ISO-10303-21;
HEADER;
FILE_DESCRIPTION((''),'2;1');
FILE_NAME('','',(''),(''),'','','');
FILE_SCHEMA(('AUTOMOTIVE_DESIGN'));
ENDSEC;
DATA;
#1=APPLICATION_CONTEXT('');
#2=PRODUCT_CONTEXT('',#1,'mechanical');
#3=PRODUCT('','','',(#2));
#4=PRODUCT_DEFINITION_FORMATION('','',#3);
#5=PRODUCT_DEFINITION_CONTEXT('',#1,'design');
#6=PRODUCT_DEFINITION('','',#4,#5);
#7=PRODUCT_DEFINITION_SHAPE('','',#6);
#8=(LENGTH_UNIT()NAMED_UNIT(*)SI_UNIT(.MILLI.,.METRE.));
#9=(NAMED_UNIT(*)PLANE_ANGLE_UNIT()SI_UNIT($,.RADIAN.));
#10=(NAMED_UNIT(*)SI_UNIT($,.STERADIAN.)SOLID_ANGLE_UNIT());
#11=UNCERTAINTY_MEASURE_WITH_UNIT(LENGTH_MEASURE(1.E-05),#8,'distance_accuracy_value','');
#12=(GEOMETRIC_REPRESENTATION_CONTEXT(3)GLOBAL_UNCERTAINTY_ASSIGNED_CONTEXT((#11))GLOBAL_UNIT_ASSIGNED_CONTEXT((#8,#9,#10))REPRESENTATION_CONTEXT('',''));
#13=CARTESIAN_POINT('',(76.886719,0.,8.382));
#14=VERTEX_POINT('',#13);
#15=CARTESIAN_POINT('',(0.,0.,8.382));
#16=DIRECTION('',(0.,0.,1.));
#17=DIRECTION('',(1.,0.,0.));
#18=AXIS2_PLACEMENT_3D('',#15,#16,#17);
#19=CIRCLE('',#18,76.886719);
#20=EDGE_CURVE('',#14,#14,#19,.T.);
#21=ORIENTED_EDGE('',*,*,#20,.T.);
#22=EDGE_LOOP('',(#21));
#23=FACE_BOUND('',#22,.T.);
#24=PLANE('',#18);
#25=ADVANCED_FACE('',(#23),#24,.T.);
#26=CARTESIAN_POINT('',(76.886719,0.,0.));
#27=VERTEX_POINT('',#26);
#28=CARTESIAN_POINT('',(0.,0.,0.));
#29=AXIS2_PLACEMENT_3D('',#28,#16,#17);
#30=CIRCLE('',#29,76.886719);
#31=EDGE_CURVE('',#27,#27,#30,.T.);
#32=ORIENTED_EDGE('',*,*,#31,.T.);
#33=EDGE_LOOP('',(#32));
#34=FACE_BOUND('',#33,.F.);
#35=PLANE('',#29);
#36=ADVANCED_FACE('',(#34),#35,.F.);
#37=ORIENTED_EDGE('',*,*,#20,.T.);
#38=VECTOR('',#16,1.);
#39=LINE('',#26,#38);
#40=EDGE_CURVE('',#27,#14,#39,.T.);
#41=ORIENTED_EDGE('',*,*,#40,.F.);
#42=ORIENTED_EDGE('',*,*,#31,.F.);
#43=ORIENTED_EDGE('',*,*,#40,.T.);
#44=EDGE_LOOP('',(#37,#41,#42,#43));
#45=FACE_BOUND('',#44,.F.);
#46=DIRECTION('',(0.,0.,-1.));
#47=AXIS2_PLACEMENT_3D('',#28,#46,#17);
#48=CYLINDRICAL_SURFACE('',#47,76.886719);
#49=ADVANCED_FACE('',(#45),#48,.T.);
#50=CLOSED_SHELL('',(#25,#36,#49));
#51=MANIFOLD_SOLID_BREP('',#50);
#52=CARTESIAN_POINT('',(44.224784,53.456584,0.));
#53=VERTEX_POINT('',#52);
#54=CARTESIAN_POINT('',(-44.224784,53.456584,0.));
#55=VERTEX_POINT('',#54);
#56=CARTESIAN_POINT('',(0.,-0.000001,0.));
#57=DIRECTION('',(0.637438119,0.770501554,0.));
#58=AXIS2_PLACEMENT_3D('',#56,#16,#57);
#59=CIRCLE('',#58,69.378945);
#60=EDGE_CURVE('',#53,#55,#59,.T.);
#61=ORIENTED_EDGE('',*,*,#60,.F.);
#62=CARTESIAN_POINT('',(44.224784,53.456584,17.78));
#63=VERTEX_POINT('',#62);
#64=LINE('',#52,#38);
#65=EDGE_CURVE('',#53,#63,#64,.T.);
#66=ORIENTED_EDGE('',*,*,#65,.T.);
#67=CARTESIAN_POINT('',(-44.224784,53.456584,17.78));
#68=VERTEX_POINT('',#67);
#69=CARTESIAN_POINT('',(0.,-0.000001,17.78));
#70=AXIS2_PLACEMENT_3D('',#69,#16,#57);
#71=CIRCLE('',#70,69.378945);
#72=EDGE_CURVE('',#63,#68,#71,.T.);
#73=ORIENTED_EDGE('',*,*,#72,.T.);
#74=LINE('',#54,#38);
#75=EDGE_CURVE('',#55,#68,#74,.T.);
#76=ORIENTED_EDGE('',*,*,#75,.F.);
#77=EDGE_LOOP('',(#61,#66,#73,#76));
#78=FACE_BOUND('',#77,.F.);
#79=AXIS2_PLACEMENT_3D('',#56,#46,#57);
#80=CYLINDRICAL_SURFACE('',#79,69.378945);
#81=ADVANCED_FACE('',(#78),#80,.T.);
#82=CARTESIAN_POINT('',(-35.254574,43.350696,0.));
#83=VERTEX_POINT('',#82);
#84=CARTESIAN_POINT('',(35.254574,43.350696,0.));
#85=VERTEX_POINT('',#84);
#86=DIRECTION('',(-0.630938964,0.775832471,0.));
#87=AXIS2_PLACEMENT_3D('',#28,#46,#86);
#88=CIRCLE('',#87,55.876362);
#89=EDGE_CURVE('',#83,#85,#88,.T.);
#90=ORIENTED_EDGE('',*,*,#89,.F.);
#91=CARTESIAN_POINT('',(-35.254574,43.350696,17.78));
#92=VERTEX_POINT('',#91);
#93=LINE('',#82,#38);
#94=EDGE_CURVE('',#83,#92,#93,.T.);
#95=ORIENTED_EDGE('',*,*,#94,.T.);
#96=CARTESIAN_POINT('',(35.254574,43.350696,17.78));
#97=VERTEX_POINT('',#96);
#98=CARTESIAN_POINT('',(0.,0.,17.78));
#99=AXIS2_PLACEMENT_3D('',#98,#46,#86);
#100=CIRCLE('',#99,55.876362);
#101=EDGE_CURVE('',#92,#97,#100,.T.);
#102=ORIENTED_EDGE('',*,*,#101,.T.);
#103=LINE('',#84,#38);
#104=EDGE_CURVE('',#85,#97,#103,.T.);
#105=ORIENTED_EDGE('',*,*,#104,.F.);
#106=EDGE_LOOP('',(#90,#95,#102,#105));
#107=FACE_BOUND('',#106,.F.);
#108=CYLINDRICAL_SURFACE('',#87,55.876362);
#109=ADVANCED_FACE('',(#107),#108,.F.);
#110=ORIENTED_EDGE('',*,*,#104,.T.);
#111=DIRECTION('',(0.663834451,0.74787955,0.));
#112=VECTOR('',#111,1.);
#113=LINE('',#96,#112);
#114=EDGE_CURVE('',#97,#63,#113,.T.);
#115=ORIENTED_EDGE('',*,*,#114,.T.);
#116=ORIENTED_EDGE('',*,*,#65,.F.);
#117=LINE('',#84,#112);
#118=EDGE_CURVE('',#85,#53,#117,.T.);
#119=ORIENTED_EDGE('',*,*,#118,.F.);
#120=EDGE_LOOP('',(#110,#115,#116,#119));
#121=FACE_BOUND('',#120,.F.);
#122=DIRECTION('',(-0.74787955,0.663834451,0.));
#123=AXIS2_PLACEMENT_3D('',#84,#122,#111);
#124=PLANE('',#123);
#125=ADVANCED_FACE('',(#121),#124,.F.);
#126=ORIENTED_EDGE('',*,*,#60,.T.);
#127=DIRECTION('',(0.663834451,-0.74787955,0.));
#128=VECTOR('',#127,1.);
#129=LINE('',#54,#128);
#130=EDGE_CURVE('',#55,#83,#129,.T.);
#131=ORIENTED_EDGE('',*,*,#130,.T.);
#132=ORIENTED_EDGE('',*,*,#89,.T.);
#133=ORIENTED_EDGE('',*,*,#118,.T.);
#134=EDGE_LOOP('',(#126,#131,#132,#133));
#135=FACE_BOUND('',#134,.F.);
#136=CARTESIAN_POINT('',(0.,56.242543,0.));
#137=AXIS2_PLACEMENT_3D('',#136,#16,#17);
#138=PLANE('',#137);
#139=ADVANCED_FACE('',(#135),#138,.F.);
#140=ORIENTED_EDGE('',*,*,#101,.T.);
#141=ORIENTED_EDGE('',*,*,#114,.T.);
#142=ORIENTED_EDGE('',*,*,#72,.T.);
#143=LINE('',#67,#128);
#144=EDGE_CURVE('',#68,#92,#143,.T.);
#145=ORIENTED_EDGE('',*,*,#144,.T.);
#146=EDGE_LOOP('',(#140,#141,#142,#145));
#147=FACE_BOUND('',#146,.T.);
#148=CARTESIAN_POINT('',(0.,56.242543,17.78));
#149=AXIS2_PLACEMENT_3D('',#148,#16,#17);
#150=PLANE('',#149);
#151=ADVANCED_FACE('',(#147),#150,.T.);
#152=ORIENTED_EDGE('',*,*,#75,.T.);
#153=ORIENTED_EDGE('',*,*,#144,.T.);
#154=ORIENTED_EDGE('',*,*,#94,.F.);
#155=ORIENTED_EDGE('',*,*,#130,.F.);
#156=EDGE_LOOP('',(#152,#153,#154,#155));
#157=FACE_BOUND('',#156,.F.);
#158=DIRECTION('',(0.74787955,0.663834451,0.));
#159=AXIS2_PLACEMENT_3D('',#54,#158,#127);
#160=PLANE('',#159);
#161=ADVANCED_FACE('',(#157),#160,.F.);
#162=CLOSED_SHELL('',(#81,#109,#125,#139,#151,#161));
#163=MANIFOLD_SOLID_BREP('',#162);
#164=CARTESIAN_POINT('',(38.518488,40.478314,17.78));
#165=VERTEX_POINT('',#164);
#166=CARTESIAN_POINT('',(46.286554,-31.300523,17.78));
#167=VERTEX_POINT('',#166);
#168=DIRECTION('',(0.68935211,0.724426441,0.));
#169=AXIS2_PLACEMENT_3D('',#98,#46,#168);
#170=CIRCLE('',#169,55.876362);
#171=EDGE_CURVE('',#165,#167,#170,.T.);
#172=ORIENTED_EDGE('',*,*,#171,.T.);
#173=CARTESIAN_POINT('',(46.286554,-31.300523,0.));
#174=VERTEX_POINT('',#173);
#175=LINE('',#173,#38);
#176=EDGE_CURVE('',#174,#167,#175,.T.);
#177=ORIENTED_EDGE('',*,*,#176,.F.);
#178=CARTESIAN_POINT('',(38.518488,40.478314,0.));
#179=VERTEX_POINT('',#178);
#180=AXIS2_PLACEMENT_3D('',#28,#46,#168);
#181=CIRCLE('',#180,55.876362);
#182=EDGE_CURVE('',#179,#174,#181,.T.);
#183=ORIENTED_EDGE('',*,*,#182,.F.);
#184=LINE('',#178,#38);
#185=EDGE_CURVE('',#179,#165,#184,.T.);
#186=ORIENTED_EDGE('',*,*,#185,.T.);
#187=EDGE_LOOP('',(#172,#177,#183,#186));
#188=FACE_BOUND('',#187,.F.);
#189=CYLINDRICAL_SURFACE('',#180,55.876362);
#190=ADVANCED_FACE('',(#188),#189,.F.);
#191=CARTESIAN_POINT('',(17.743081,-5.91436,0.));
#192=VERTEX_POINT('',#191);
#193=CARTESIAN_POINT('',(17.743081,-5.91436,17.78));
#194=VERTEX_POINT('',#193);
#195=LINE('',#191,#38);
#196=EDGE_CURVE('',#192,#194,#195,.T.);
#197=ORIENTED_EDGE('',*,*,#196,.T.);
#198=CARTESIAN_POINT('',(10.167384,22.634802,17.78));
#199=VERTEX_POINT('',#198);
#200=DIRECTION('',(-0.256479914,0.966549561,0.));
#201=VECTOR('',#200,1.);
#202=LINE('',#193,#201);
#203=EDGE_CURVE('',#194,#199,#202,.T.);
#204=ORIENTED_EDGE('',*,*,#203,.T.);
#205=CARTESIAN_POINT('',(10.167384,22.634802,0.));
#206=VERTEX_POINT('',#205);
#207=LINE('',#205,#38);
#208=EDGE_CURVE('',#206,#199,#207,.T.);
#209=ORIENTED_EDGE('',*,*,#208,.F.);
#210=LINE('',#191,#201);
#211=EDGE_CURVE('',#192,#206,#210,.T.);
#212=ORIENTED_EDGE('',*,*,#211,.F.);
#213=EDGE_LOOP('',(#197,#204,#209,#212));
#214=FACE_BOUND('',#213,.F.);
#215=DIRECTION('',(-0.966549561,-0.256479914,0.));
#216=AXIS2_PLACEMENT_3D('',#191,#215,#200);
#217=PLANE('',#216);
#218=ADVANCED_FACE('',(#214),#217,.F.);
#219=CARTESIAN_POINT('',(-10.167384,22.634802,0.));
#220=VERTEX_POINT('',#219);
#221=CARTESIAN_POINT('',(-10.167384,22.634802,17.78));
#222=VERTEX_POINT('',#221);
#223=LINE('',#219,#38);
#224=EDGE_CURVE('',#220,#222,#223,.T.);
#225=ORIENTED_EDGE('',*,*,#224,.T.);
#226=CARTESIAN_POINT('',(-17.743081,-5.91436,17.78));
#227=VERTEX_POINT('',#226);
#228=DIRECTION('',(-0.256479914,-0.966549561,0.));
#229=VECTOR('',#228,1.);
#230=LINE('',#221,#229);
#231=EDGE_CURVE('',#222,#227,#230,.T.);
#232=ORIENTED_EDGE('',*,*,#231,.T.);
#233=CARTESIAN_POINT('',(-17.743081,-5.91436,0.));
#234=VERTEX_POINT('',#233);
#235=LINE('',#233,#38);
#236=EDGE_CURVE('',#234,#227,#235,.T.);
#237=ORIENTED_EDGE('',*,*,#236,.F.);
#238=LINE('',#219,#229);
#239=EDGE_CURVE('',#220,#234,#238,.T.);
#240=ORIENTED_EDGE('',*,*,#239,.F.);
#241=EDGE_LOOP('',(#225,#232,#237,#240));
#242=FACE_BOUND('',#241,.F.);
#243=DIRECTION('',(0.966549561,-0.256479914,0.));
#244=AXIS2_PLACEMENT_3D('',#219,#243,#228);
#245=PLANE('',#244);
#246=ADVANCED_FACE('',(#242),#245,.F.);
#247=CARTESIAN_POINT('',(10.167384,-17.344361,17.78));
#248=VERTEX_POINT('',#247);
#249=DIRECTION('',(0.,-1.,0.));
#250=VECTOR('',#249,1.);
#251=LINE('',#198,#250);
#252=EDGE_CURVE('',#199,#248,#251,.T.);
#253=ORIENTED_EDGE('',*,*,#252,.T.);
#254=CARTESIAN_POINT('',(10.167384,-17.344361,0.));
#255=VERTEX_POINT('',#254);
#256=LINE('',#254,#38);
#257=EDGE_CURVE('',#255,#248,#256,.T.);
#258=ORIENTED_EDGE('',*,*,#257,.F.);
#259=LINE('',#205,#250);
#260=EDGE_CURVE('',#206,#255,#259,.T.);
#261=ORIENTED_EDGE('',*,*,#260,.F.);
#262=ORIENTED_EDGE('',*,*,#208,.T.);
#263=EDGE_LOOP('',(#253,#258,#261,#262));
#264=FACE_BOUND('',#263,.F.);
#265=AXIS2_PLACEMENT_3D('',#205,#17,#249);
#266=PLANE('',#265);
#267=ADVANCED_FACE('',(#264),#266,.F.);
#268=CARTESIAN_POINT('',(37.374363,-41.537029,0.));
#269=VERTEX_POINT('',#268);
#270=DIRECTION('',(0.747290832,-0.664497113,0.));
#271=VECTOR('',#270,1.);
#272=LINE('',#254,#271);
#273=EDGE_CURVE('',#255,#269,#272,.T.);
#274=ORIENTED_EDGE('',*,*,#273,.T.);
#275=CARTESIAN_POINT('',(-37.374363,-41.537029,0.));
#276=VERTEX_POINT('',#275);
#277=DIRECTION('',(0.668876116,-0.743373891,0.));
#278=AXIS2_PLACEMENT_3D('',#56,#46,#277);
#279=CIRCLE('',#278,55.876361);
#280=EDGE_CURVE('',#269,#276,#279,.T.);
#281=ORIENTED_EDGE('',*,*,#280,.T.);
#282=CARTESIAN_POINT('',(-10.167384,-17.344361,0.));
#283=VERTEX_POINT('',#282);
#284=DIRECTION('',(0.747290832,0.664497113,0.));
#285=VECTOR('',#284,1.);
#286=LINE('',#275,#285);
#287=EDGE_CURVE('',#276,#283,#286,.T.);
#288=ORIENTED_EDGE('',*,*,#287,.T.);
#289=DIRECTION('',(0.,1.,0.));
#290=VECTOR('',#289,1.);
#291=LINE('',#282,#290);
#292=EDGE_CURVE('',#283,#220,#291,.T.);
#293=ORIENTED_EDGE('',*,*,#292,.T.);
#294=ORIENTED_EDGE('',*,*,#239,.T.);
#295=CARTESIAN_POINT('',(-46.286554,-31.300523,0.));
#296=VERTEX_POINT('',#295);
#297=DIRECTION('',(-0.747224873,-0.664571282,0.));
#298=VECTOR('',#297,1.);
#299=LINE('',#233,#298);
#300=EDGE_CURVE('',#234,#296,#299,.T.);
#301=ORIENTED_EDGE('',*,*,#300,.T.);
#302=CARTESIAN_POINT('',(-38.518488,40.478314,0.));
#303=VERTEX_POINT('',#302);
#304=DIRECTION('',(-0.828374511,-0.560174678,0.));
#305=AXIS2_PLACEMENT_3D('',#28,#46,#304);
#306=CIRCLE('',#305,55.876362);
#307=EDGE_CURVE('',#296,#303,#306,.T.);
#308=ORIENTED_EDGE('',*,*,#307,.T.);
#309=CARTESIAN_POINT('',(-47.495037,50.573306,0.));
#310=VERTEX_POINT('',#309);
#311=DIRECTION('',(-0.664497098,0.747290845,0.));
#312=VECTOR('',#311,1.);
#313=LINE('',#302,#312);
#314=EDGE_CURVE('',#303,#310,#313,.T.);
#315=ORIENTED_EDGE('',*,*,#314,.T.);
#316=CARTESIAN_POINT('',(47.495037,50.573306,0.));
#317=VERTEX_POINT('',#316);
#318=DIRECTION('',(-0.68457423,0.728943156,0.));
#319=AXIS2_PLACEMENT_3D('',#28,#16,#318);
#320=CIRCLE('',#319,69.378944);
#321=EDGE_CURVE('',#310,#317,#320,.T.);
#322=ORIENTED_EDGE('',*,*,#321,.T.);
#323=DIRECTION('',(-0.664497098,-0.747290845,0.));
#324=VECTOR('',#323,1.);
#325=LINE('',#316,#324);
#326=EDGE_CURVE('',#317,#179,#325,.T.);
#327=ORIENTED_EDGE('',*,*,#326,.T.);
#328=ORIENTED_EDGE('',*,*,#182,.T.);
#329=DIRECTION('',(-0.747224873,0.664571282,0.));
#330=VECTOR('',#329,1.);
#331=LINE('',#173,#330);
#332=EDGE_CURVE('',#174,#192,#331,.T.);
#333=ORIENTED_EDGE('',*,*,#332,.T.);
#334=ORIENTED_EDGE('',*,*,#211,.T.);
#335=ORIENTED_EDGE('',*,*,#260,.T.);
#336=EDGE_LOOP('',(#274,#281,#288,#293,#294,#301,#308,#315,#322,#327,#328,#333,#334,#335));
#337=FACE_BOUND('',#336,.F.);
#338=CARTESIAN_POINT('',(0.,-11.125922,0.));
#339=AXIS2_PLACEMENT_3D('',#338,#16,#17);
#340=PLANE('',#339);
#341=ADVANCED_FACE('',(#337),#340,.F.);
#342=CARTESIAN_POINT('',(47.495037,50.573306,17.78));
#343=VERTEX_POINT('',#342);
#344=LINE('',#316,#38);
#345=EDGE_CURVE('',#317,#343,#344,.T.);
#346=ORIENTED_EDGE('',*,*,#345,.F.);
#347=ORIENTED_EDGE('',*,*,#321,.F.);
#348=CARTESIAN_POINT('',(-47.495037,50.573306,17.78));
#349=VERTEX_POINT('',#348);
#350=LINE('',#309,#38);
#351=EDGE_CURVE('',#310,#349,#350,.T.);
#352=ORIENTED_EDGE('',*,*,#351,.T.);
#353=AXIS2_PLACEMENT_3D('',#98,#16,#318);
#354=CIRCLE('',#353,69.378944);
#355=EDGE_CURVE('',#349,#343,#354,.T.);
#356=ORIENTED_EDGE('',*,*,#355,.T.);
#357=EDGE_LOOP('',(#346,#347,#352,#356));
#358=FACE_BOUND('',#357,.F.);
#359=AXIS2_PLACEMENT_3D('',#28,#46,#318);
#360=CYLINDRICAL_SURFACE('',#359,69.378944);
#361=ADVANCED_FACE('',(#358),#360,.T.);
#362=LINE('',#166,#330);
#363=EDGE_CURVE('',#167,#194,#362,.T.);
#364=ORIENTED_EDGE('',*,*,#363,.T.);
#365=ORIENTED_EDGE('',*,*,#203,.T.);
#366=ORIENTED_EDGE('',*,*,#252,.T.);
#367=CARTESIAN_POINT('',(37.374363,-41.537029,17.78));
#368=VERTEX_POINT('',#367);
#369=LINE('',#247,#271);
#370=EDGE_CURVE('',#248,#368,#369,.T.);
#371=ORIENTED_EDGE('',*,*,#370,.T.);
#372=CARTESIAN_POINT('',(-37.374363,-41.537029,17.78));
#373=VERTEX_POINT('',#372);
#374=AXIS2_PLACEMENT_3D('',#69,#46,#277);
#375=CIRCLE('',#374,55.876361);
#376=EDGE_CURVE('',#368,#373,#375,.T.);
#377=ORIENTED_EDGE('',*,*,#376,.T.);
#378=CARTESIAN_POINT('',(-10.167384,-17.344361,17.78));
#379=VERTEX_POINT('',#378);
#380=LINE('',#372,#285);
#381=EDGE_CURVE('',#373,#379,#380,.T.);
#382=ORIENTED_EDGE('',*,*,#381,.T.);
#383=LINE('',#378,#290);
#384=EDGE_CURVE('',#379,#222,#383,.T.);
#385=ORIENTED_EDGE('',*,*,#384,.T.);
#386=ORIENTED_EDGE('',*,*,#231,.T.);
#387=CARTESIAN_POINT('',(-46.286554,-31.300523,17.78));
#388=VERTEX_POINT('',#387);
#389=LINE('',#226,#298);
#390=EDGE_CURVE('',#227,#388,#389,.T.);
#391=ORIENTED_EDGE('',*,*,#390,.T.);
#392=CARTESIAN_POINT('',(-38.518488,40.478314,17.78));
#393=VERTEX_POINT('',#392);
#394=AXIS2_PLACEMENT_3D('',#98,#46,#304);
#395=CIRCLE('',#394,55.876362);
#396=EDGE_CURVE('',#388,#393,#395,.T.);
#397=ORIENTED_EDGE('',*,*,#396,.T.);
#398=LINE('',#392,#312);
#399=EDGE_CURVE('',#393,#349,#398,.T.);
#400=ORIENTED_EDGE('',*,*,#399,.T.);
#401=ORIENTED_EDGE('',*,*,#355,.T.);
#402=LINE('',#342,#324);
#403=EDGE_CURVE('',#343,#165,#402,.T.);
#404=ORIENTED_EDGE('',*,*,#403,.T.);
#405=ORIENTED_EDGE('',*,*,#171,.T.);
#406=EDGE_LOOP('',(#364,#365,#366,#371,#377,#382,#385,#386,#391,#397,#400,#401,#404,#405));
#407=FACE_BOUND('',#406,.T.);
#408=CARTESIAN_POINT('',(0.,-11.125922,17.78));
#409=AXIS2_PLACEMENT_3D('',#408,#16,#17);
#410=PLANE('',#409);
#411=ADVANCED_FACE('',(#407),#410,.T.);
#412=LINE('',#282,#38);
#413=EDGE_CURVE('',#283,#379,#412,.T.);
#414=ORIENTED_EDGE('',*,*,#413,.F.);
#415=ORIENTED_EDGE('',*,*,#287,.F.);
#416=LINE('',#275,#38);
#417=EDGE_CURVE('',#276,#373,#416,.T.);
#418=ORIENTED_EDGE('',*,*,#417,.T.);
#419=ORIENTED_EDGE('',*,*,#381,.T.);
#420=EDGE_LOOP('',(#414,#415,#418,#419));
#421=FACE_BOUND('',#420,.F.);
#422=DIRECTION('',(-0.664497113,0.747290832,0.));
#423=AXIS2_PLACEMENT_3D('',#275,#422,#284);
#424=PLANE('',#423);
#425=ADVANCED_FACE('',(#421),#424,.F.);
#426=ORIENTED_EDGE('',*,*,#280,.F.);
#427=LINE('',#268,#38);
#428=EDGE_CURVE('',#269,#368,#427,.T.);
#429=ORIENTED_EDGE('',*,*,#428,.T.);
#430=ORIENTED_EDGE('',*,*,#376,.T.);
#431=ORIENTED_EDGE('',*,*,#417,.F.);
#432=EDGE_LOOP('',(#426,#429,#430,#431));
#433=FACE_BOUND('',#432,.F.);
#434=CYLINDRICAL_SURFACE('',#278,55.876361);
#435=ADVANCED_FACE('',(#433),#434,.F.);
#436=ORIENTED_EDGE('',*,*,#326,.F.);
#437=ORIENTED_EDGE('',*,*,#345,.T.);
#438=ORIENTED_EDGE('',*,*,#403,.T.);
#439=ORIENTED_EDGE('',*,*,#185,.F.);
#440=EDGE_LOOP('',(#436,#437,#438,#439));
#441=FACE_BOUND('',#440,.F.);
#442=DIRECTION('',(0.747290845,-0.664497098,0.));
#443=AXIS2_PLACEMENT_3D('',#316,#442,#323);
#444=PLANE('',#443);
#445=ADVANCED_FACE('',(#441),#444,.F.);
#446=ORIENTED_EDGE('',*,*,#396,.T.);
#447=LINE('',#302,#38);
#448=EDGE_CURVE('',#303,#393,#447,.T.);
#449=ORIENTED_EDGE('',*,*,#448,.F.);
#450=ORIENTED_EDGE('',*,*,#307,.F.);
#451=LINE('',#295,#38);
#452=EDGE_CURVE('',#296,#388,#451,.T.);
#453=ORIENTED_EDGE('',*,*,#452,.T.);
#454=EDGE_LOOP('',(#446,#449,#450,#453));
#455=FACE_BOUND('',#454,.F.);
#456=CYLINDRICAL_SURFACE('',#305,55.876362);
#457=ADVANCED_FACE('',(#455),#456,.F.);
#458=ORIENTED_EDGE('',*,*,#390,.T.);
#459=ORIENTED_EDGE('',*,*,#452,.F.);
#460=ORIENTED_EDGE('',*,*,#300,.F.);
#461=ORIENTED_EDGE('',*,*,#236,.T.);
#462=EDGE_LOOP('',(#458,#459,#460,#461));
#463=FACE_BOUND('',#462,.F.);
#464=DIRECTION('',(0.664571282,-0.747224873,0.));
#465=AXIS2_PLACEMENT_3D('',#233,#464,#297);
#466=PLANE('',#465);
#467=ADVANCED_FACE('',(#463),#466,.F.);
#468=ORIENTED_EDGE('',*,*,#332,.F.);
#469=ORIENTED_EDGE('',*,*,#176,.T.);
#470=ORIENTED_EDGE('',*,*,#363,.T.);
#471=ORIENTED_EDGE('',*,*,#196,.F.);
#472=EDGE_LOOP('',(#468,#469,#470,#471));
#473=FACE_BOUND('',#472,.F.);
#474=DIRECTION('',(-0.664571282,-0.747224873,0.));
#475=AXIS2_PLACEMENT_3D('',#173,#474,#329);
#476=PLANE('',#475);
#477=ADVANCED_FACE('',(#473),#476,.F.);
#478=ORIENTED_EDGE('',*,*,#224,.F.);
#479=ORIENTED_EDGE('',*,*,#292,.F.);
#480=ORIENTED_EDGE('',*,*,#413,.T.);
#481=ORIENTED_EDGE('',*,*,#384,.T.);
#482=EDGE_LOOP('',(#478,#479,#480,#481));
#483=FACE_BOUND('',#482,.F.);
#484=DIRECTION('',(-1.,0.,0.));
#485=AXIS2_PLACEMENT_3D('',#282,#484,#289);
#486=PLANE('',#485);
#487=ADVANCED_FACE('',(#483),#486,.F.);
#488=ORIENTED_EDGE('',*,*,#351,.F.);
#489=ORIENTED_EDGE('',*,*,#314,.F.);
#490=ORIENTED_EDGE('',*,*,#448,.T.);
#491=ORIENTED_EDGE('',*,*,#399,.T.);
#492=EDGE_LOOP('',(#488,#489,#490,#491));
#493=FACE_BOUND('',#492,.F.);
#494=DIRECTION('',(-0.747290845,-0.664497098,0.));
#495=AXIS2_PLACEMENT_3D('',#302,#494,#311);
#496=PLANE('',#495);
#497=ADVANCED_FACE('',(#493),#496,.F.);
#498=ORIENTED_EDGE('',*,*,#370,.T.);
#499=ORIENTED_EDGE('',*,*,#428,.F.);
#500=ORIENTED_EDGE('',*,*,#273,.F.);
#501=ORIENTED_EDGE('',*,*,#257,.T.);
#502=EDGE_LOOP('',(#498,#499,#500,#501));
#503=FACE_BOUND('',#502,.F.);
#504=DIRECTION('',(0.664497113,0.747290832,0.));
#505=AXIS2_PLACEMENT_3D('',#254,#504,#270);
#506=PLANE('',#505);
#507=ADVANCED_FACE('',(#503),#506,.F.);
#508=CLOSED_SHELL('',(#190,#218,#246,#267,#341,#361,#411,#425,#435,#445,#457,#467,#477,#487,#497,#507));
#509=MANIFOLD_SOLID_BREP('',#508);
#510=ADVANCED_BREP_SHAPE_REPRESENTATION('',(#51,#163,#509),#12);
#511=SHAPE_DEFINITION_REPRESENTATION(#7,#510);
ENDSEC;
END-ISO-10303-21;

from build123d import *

# Parameters (mm, degrees)
F1_DEPTH = 17.78
F2_R     = 76.886719
F3_DEPTH = 8.382


with BuildPart() as f1:
    # F0 (on Top) → F1 (new body)
    with BuildSketch(Plane.XY):
        with BuildLine():
            Line((-44.224784, 53.456584), (-35.254574, 43.350696))
            ThreePointArc((-35.254574, 43.350696), (0, 55.876362), (35.254574, 43.350696))
            Line((35.254574, 43.350696), (44.224784, 53.456584))
            ThreePointArc((44.224784, 53.456584), (0, 69.378944), (-44.224784, 53.456584))
        make_face()
        with BuildLine():
            Line((-38.518488, 40.478314), (-47.495037, 50.573306))
            ThreePointArc((-47.495037, 50.573306), (0, -69.378944), (47.495037, 50.573306))
            Line((47.495037, 50.573306), (38.518488, 40.478314))
            ThreePointArc((38.518488, 40.478314), (55.551995, 6.011961), (46.286554, -31.300523))
            Line((46.286554, -31.300523), (17.743081, -5.91436))
            Line((17.743081, -5.91436), (10.167384, 22.634802))
            Line((10.167384, 22.634802), (10.167384, -17.344361))
            Line((10.167384, -17.344361), (37.374363, -41.537029))
            ThreePointArc((37.374363, -41.537029), (0, -55.876362), (-37.374363, -41.537029))
            Line((-37.374363, -41.537029), (-10.167384, -17.344361))
            Line((-10.167384, -17.344361), (-10.167384, 22.634802))
            Line((-10.167384, 22.634802), (-17.743081, -5.91436))
            Line((-17.743081, -5.91436), (-46.286554, -31.300523))
            ThreePointArc((-46.286554, -31.300523), (-55.551995, 6.011961), (-38.518488, 40.478314))
        make_face()
    extrude(amount=F1_DEPTH)


with BuildPart() as f3:
    # F2 (on Top) → F3 (new body)
    with BuildSketch(Plane.XY):
        Circle(F2_R)
    extrude(amount=F3_DEPTH)


solid = Compound([f1.part, f3.part])
